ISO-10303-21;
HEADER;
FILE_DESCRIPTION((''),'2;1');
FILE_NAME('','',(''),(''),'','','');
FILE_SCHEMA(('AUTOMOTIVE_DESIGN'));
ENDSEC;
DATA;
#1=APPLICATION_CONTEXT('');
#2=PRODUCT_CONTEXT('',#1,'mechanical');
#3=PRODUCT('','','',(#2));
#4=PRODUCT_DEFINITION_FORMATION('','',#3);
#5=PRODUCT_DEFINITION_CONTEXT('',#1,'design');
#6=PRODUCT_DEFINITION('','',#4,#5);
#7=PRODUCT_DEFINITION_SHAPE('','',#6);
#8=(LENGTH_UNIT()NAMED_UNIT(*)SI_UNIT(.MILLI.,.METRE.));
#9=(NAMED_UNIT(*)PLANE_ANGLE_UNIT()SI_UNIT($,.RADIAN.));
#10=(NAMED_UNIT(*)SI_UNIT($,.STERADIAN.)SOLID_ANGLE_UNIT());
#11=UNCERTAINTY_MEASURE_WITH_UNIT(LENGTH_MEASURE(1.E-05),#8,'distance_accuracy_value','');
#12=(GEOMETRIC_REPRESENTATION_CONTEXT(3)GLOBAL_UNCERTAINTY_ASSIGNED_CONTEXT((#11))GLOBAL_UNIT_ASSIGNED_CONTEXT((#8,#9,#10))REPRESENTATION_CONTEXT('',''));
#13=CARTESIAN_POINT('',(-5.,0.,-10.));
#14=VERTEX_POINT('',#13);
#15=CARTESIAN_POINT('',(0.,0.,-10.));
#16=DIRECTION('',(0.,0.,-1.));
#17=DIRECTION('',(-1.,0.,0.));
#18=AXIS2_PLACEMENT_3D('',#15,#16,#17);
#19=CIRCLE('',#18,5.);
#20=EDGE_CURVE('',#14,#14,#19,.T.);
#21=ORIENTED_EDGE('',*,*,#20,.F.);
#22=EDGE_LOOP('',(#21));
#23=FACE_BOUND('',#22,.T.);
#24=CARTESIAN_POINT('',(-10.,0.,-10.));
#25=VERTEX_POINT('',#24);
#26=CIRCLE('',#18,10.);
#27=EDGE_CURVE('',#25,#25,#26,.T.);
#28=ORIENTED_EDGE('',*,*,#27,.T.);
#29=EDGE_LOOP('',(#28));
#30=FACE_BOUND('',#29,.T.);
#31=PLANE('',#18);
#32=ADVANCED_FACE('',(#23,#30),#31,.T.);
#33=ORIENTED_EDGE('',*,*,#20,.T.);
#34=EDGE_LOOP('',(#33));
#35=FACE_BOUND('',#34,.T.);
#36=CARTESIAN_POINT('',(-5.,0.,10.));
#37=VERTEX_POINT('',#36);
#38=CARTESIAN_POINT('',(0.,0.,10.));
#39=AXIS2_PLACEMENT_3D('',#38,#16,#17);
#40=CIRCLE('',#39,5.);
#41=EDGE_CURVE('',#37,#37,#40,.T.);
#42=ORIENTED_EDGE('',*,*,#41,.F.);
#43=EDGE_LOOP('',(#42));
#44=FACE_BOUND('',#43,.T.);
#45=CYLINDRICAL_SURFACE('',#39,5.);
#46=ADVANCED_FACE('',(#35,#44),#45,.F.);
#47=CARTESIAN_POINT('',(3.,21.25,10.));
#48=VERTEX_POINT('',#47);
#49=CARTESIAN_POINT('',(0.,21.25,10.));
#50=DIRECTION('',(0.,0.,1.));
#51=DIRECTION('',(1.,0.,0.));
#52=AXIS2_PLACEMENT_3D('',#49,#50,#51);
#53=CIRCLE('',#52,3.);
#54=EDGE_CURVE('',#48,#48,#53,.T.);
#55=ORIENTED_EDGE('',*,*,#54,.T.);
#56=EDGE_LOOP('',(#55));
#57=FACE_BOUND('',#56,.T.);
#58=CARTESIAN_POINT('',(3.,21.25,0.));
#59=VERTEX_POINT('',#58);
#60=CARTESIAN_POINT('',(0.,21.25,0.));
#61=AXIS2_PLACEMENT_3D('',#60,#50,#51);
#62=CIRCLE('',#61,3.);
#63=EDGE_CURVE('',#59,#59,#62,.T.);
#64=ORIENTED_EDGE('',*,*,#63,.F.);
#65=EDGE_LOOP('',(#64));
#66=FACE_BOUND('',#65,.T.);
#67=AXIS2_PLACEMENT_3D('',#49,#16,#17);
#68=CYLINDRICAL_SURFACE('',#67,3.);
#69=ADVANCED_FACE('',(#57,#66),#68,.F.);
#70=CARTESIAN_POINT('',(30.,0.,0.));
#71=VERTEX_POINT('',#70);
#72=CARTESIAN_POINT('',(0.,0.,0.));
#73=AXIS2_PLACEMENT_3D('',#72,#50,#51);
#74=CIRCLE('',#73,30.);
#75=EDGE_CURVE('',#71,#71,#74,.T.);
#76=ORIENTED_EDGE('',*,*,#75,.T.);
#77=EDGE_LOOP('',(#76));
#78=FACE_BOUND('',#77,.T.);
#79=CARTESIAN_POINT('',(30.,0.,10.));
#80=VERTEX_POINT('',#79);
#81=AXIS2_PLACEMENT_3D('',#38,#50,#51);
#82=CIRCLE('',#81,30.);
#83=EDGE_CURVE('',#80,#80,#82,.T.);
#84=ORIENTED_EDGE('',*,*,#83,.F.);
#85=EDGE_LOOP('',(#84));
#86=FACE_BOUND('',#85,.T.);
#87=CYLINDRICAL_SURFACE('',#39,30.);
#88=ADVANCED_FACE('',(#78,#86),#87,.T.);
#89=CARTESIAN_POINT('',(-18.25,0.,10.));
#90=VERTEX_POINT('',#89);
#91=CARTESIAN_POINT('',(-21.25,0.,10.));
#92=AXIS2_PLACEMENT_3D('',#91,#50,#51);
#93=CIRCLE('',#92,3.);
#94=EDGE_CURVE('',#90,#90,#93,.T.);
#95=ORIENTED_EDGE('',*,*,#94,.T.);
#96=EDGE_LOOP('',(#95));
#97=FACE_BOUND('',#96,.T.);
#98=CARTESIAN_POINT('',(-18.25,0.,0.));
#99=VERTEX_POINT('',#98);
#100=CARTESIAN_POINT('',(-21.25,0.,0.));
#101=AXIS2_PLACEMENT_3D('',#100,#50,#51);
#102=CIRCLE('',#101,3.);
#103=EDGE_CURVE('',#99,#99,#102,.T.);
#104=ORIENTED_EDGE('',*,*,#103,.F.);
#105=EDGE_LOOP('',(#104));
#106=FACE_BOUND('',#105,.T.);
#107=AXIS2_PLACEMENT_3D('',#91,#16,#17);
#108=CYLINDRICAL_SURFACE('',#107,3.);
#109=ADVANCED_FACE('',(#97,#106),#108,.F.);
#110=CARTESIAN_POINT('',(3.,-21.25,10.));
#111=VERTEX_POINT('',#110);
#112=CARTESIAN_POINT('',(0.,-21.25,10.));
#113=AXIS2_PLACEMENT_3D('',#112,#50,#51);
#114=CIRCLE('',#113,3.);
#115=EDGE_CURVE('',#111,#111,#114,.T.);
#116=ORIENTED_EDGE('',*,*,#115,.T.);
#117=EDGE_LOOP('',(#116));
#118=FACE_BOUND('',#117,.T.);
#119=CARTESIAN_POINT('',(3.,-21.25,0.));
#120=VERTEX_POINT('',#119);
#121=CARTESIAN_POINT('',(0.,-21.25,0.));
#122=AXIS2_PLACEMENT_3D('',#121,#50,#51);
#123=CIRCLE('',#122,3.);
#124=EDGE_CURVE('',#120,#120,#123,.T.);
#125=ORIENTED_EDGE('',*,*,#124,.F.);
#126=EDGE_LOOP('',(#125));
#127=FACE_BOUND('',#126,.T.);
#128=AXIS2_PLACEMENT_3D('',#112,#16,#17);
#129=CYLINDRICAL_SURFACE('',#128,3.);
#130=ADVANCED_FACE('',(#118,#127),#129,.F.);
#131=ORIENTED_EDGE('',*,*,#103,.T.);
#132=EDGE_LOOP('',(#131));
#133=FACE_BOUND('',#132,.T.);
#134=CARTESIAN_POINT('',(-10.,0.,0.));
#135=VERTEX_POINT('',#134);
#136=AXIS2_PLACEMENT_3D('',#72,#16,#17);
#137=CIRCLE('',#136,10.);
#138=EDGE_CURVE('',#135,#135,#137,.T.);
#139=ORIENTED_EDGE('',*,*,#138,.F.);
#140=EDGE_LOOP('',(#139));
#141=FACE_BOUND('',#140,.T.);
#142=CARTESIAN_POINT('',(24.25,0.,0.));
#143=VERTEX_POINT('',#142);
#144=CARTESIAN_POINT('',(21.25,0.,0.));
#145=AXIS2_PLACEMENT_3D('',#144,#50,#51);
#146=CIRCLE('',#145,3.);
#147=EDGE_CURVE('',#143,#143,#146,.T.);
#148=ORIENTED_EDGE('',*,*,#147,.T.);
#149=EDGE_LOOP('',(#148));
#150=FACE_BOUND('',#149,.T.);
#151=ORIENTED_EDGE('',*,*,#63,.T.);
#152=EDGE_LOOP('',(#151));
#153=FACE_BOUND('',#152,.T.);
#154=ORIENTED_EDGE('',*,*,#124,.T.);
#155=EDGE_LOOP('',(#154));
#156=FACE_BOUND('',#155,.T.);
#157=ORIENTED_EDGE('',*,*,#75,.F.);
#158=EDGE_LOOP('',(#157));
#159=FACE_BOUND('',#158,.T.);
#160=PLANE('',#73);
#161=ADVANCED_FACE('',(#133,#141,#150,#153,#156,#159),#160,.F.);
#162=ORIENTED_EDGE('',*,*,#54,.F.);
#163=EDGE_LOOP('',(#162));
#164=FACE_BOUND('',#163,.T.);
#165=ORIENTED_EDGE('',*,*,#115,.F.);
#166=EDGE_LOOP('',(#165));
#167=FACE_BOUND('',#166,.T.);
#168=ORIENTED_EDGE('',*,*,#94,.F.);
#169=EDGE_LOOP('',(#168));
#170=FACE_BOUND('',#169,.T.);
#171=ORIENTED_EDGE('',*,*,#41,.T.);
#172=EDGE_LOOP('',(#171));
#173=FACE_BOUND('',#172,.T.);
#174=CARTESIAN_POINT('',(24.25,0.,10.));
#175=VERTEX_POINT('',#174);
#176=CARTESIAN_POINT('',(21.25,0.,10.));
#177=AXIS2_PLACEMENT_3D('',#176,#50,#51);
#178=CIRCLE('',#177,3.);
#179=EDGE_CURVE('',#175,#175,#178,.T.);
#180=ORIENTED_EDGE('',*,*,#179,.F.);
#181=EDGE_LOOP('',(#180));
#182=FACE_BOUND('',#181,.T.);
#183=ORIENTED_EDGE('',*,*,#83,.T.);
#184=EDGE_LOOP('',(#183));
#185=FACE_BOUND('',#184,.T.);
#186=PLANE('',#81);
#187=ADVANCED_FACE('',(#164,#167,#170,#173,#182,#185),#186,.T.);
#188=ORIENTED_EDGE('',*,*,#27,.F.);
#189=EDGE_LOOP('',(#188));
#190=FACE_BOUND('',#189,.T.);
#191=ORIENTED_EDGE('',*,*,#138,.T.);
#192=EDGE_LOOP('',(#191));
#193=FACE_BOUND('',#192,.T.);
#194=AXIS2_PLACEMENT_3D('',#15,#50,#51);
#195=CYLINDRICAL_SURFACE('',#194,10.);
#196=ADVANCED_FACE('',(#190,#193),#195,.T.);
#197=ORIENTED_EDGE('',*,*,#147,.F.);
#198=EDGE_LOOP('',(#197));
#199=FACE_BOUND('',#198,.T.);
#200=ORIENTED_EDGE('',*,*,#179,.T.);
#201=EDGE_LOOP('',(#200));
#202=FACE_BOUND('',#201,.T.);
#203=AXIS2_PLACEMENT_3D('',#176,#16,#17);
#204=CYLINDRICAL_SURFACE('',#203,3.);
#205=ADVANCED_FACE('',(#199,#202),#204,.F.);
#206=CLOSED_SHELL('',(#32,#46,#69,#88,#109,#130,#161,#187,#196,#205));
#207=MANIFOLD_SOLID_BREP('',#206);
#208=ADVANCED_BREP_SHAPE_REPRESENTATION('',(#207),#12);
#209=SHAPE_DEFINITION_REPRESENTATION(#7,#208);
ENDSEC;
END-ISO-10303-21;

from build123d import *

# Parameters (mm, degrees)
SKETCH1_R           = 30
SKETCH1_R_2         = 3
BOSS_EXTRUDE3_DEPTH = 10
SKETCH2_R           = 10
BOSS_EXTRUDE4_DEPTH = 10
SKETCH3_R           = 5
CUT_EXTRUDE1_DEPTH  = 21


with BuildPart() as part:
    # Sketch1 → Boss-Extrude3 (new body)
    with BuildSketch(Plane.XY):
        Circle(SKETCH1_R)
        with Locations((0, 21.25)):
            Circle(SKETCH1_R_2, mode=Mode.SUBTRACT)
        with Locations((21.25, 0)):
            Circle(SKETCH1_R_2, mode=Mode.SUBTRACT)
        with Locations((0, -21.25)):
            Circle(SKETCH1_R_2, mode=Mode.SUBTRACT)
        with Locations((-21.25, 0)):
            Circle(SKETCH1_R_2, mode=Mode.SUBTRACT)
    extrude(amount=BOSS_EXTRUDE3_DEPTH)

    # Sketch2 → Boss-Extrude4 (add)
    with BuildSketch(Plane(origin=(0, 0, 0), x_dir=(-1, 0, 0), z_dir=(0, 0, -1))):
        Circle(SKETCH2_R)
    extrude(amount=BOSS_EXTRUDE4_DEPTH)

    # Sketch3 → Cut-Extrude1 (cut, through all)
    with BuildSketch(Plane(origin=(0, 0, -10), x_dir=(-1, 0, 0), z_dir=(0, 0, -1))):
        Circle(SKETCH3_R)
    extrude(amount=-CUT_EXTRUDE1_DEPTH, mode=Mode.SUBTRACT)


solid = part.part
